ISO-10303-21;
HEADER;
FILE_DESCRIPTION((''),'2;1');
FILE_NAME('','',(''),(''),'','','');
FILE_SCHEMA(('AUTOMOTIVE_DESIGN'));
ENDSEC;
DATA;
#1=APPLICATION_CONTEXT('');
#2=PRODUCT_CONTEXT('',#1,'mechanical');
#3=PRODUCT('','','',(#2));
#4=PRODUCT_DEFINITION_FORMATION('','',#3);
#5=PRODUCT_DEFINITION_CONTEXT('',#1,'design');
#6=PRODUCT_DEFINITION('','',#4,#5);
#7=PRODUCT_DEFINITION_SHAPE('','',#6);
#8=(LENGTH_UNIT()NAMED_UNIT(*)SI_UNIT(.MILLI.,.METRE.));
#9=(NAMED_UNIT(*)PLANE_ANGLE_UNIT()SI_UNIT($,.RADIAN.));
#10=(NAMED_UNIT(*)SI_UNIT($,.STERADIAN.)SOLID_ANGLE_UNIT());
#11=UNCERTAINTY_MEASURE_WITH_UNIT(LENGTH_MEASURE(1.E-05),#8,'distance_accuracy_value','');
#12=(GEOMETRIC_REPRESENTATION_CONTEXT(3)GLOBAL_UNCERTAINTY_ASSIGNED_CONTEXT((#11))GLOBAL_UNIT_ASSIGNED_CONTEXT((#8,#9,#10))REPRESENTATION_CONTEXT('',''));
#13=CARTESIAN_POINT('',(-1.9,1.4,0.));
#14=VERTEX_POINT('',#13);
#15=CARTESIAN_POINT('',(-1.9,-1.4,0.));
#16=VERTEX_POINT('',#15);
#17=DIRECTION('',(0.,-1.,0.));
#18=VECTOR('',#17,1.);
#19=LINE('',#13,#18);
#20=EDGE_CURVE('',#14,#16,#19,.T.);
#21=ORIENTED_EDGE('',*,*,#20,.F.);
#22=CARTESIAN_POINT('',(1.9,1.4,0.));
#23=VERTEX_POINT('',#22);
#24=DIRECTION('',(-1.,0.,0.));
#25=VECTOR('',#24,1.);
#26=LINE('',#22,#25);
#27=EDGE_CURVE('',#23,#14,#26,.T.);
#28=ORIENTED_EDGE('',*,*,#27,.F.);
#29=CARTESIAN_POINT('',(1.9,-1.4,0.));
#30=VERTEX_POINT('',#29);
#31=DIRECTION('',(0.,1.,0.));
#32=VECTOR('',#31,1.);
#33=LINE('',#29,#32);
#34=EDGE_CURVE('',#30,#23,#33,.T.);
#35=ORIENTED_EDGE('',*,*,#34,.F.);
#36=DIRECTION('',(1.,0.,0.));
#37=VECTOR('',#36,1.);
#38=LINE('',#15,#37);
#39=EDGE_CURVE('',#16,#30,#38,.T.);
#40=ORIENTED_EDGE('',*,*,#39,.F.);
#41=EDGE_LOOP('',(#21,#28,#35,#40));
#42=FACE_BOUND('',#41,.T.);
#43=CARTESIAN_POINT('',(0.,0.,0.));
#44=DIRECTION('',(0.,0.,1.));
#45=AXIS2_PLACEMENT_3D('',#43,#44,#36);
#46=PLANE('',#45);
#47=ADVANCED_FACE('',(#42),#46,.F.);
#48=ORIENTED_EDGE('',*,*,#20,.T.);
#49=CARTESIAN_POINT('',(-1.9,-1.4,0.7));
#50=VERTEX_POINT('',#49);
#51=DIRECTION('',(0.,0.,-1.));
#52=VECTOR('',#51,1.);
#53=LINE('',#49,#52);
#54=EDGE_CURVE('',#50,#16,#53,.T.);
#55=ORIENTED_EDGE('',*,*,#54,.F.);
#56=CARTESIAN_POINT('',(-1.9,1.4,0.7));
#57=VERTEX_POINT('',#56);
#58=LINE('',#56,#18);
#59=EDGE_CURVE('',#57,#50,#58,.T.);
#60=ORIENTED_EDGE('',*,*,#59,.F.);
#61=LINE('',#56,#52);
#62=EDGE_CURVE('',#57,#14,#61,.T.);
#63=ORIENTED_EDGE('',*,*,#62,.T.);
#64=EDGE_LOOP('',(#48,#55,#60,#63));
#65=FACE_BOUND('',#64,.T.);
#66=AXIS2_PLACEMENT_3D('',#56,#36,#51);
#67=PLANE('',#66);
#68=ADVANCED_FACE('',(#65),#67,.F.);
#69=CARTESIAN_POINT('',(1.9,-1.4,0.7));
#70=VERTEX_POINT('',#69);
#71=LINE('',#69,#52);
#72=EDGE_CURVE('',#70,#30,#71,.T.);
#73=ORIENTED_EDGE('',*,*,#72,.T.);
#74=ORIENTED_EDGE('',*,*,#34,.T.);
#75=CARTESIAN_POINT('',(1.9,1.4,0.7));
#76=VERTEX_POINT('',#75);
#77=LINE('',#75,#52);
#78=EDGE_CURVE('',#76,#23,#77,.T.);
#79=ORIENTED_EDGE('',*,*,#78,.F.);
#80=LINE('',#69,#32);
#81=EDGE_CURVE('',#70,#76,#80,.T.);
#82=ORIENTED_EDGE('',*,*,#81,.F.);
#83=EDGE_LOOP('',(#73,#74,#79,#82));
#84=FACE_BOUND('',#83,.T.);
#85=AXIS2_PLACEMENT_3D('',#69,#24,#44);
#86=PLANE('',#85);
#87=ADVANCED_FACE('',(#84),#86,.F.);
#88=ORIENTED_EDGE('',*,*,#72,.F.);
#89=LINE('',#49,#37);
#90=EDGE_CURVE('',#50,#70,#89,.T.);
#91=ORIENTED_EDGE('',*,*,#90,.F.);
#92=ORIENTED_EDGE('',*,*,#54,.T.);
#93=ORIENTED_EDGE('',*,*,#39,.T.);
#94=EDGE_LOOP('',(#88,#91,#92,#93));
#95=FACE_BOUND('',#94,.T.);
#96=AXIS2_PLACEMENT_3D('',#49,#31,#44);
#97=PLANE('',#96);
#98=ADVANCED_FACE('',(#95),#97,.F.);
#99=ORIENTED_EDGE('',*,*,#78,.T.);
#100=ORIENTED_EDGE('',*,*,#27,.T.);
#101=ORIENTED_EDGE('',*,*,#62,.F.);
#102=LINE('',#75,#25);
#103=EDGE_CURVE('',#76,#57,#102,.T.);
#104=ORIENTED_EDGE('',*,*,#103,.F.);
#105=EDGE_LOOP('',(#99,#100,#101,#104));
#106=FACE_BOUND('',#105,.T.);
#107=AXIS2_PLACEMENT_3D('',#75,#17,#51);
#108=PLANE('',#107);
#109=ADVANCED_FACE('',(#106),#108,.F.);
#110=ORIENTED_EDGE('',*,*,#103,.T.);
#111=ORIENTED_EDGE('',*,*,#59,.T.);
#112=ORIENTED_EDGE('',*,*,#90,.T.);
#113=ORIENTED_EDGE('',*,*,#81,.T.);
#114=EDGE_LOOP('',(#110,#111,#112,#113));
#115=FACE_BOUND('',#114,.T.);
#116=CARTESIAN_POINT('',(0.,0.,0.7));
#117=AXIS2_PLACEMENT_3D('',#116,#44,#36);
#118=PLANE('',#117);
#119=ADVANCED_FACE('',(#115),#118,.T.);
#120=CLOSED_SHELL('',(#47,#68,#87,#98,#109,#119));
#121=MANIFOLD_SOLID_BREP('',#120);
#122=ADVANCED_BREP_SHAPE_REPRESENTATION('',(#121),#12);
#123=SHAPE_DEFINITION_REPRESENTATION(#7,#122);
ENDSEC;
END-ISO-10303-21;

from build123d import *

# Parameters (mm, degrees)
SKETCH_1_W              = 3.8
SKETCH_1_H              = 2.8
COMPONENT_OUTLINE_DEPTH = 0.7


with BuildPart() as part:
    # 草图1 → Component_Outline (new body)
    with BuildSketch(Plane.XY):
        Rectangle(SKETCH_1_W, SKETCH_1_H)
    extrude(amount=COMPONENT_OUTLINE_DEPTH)


solid = part.part
